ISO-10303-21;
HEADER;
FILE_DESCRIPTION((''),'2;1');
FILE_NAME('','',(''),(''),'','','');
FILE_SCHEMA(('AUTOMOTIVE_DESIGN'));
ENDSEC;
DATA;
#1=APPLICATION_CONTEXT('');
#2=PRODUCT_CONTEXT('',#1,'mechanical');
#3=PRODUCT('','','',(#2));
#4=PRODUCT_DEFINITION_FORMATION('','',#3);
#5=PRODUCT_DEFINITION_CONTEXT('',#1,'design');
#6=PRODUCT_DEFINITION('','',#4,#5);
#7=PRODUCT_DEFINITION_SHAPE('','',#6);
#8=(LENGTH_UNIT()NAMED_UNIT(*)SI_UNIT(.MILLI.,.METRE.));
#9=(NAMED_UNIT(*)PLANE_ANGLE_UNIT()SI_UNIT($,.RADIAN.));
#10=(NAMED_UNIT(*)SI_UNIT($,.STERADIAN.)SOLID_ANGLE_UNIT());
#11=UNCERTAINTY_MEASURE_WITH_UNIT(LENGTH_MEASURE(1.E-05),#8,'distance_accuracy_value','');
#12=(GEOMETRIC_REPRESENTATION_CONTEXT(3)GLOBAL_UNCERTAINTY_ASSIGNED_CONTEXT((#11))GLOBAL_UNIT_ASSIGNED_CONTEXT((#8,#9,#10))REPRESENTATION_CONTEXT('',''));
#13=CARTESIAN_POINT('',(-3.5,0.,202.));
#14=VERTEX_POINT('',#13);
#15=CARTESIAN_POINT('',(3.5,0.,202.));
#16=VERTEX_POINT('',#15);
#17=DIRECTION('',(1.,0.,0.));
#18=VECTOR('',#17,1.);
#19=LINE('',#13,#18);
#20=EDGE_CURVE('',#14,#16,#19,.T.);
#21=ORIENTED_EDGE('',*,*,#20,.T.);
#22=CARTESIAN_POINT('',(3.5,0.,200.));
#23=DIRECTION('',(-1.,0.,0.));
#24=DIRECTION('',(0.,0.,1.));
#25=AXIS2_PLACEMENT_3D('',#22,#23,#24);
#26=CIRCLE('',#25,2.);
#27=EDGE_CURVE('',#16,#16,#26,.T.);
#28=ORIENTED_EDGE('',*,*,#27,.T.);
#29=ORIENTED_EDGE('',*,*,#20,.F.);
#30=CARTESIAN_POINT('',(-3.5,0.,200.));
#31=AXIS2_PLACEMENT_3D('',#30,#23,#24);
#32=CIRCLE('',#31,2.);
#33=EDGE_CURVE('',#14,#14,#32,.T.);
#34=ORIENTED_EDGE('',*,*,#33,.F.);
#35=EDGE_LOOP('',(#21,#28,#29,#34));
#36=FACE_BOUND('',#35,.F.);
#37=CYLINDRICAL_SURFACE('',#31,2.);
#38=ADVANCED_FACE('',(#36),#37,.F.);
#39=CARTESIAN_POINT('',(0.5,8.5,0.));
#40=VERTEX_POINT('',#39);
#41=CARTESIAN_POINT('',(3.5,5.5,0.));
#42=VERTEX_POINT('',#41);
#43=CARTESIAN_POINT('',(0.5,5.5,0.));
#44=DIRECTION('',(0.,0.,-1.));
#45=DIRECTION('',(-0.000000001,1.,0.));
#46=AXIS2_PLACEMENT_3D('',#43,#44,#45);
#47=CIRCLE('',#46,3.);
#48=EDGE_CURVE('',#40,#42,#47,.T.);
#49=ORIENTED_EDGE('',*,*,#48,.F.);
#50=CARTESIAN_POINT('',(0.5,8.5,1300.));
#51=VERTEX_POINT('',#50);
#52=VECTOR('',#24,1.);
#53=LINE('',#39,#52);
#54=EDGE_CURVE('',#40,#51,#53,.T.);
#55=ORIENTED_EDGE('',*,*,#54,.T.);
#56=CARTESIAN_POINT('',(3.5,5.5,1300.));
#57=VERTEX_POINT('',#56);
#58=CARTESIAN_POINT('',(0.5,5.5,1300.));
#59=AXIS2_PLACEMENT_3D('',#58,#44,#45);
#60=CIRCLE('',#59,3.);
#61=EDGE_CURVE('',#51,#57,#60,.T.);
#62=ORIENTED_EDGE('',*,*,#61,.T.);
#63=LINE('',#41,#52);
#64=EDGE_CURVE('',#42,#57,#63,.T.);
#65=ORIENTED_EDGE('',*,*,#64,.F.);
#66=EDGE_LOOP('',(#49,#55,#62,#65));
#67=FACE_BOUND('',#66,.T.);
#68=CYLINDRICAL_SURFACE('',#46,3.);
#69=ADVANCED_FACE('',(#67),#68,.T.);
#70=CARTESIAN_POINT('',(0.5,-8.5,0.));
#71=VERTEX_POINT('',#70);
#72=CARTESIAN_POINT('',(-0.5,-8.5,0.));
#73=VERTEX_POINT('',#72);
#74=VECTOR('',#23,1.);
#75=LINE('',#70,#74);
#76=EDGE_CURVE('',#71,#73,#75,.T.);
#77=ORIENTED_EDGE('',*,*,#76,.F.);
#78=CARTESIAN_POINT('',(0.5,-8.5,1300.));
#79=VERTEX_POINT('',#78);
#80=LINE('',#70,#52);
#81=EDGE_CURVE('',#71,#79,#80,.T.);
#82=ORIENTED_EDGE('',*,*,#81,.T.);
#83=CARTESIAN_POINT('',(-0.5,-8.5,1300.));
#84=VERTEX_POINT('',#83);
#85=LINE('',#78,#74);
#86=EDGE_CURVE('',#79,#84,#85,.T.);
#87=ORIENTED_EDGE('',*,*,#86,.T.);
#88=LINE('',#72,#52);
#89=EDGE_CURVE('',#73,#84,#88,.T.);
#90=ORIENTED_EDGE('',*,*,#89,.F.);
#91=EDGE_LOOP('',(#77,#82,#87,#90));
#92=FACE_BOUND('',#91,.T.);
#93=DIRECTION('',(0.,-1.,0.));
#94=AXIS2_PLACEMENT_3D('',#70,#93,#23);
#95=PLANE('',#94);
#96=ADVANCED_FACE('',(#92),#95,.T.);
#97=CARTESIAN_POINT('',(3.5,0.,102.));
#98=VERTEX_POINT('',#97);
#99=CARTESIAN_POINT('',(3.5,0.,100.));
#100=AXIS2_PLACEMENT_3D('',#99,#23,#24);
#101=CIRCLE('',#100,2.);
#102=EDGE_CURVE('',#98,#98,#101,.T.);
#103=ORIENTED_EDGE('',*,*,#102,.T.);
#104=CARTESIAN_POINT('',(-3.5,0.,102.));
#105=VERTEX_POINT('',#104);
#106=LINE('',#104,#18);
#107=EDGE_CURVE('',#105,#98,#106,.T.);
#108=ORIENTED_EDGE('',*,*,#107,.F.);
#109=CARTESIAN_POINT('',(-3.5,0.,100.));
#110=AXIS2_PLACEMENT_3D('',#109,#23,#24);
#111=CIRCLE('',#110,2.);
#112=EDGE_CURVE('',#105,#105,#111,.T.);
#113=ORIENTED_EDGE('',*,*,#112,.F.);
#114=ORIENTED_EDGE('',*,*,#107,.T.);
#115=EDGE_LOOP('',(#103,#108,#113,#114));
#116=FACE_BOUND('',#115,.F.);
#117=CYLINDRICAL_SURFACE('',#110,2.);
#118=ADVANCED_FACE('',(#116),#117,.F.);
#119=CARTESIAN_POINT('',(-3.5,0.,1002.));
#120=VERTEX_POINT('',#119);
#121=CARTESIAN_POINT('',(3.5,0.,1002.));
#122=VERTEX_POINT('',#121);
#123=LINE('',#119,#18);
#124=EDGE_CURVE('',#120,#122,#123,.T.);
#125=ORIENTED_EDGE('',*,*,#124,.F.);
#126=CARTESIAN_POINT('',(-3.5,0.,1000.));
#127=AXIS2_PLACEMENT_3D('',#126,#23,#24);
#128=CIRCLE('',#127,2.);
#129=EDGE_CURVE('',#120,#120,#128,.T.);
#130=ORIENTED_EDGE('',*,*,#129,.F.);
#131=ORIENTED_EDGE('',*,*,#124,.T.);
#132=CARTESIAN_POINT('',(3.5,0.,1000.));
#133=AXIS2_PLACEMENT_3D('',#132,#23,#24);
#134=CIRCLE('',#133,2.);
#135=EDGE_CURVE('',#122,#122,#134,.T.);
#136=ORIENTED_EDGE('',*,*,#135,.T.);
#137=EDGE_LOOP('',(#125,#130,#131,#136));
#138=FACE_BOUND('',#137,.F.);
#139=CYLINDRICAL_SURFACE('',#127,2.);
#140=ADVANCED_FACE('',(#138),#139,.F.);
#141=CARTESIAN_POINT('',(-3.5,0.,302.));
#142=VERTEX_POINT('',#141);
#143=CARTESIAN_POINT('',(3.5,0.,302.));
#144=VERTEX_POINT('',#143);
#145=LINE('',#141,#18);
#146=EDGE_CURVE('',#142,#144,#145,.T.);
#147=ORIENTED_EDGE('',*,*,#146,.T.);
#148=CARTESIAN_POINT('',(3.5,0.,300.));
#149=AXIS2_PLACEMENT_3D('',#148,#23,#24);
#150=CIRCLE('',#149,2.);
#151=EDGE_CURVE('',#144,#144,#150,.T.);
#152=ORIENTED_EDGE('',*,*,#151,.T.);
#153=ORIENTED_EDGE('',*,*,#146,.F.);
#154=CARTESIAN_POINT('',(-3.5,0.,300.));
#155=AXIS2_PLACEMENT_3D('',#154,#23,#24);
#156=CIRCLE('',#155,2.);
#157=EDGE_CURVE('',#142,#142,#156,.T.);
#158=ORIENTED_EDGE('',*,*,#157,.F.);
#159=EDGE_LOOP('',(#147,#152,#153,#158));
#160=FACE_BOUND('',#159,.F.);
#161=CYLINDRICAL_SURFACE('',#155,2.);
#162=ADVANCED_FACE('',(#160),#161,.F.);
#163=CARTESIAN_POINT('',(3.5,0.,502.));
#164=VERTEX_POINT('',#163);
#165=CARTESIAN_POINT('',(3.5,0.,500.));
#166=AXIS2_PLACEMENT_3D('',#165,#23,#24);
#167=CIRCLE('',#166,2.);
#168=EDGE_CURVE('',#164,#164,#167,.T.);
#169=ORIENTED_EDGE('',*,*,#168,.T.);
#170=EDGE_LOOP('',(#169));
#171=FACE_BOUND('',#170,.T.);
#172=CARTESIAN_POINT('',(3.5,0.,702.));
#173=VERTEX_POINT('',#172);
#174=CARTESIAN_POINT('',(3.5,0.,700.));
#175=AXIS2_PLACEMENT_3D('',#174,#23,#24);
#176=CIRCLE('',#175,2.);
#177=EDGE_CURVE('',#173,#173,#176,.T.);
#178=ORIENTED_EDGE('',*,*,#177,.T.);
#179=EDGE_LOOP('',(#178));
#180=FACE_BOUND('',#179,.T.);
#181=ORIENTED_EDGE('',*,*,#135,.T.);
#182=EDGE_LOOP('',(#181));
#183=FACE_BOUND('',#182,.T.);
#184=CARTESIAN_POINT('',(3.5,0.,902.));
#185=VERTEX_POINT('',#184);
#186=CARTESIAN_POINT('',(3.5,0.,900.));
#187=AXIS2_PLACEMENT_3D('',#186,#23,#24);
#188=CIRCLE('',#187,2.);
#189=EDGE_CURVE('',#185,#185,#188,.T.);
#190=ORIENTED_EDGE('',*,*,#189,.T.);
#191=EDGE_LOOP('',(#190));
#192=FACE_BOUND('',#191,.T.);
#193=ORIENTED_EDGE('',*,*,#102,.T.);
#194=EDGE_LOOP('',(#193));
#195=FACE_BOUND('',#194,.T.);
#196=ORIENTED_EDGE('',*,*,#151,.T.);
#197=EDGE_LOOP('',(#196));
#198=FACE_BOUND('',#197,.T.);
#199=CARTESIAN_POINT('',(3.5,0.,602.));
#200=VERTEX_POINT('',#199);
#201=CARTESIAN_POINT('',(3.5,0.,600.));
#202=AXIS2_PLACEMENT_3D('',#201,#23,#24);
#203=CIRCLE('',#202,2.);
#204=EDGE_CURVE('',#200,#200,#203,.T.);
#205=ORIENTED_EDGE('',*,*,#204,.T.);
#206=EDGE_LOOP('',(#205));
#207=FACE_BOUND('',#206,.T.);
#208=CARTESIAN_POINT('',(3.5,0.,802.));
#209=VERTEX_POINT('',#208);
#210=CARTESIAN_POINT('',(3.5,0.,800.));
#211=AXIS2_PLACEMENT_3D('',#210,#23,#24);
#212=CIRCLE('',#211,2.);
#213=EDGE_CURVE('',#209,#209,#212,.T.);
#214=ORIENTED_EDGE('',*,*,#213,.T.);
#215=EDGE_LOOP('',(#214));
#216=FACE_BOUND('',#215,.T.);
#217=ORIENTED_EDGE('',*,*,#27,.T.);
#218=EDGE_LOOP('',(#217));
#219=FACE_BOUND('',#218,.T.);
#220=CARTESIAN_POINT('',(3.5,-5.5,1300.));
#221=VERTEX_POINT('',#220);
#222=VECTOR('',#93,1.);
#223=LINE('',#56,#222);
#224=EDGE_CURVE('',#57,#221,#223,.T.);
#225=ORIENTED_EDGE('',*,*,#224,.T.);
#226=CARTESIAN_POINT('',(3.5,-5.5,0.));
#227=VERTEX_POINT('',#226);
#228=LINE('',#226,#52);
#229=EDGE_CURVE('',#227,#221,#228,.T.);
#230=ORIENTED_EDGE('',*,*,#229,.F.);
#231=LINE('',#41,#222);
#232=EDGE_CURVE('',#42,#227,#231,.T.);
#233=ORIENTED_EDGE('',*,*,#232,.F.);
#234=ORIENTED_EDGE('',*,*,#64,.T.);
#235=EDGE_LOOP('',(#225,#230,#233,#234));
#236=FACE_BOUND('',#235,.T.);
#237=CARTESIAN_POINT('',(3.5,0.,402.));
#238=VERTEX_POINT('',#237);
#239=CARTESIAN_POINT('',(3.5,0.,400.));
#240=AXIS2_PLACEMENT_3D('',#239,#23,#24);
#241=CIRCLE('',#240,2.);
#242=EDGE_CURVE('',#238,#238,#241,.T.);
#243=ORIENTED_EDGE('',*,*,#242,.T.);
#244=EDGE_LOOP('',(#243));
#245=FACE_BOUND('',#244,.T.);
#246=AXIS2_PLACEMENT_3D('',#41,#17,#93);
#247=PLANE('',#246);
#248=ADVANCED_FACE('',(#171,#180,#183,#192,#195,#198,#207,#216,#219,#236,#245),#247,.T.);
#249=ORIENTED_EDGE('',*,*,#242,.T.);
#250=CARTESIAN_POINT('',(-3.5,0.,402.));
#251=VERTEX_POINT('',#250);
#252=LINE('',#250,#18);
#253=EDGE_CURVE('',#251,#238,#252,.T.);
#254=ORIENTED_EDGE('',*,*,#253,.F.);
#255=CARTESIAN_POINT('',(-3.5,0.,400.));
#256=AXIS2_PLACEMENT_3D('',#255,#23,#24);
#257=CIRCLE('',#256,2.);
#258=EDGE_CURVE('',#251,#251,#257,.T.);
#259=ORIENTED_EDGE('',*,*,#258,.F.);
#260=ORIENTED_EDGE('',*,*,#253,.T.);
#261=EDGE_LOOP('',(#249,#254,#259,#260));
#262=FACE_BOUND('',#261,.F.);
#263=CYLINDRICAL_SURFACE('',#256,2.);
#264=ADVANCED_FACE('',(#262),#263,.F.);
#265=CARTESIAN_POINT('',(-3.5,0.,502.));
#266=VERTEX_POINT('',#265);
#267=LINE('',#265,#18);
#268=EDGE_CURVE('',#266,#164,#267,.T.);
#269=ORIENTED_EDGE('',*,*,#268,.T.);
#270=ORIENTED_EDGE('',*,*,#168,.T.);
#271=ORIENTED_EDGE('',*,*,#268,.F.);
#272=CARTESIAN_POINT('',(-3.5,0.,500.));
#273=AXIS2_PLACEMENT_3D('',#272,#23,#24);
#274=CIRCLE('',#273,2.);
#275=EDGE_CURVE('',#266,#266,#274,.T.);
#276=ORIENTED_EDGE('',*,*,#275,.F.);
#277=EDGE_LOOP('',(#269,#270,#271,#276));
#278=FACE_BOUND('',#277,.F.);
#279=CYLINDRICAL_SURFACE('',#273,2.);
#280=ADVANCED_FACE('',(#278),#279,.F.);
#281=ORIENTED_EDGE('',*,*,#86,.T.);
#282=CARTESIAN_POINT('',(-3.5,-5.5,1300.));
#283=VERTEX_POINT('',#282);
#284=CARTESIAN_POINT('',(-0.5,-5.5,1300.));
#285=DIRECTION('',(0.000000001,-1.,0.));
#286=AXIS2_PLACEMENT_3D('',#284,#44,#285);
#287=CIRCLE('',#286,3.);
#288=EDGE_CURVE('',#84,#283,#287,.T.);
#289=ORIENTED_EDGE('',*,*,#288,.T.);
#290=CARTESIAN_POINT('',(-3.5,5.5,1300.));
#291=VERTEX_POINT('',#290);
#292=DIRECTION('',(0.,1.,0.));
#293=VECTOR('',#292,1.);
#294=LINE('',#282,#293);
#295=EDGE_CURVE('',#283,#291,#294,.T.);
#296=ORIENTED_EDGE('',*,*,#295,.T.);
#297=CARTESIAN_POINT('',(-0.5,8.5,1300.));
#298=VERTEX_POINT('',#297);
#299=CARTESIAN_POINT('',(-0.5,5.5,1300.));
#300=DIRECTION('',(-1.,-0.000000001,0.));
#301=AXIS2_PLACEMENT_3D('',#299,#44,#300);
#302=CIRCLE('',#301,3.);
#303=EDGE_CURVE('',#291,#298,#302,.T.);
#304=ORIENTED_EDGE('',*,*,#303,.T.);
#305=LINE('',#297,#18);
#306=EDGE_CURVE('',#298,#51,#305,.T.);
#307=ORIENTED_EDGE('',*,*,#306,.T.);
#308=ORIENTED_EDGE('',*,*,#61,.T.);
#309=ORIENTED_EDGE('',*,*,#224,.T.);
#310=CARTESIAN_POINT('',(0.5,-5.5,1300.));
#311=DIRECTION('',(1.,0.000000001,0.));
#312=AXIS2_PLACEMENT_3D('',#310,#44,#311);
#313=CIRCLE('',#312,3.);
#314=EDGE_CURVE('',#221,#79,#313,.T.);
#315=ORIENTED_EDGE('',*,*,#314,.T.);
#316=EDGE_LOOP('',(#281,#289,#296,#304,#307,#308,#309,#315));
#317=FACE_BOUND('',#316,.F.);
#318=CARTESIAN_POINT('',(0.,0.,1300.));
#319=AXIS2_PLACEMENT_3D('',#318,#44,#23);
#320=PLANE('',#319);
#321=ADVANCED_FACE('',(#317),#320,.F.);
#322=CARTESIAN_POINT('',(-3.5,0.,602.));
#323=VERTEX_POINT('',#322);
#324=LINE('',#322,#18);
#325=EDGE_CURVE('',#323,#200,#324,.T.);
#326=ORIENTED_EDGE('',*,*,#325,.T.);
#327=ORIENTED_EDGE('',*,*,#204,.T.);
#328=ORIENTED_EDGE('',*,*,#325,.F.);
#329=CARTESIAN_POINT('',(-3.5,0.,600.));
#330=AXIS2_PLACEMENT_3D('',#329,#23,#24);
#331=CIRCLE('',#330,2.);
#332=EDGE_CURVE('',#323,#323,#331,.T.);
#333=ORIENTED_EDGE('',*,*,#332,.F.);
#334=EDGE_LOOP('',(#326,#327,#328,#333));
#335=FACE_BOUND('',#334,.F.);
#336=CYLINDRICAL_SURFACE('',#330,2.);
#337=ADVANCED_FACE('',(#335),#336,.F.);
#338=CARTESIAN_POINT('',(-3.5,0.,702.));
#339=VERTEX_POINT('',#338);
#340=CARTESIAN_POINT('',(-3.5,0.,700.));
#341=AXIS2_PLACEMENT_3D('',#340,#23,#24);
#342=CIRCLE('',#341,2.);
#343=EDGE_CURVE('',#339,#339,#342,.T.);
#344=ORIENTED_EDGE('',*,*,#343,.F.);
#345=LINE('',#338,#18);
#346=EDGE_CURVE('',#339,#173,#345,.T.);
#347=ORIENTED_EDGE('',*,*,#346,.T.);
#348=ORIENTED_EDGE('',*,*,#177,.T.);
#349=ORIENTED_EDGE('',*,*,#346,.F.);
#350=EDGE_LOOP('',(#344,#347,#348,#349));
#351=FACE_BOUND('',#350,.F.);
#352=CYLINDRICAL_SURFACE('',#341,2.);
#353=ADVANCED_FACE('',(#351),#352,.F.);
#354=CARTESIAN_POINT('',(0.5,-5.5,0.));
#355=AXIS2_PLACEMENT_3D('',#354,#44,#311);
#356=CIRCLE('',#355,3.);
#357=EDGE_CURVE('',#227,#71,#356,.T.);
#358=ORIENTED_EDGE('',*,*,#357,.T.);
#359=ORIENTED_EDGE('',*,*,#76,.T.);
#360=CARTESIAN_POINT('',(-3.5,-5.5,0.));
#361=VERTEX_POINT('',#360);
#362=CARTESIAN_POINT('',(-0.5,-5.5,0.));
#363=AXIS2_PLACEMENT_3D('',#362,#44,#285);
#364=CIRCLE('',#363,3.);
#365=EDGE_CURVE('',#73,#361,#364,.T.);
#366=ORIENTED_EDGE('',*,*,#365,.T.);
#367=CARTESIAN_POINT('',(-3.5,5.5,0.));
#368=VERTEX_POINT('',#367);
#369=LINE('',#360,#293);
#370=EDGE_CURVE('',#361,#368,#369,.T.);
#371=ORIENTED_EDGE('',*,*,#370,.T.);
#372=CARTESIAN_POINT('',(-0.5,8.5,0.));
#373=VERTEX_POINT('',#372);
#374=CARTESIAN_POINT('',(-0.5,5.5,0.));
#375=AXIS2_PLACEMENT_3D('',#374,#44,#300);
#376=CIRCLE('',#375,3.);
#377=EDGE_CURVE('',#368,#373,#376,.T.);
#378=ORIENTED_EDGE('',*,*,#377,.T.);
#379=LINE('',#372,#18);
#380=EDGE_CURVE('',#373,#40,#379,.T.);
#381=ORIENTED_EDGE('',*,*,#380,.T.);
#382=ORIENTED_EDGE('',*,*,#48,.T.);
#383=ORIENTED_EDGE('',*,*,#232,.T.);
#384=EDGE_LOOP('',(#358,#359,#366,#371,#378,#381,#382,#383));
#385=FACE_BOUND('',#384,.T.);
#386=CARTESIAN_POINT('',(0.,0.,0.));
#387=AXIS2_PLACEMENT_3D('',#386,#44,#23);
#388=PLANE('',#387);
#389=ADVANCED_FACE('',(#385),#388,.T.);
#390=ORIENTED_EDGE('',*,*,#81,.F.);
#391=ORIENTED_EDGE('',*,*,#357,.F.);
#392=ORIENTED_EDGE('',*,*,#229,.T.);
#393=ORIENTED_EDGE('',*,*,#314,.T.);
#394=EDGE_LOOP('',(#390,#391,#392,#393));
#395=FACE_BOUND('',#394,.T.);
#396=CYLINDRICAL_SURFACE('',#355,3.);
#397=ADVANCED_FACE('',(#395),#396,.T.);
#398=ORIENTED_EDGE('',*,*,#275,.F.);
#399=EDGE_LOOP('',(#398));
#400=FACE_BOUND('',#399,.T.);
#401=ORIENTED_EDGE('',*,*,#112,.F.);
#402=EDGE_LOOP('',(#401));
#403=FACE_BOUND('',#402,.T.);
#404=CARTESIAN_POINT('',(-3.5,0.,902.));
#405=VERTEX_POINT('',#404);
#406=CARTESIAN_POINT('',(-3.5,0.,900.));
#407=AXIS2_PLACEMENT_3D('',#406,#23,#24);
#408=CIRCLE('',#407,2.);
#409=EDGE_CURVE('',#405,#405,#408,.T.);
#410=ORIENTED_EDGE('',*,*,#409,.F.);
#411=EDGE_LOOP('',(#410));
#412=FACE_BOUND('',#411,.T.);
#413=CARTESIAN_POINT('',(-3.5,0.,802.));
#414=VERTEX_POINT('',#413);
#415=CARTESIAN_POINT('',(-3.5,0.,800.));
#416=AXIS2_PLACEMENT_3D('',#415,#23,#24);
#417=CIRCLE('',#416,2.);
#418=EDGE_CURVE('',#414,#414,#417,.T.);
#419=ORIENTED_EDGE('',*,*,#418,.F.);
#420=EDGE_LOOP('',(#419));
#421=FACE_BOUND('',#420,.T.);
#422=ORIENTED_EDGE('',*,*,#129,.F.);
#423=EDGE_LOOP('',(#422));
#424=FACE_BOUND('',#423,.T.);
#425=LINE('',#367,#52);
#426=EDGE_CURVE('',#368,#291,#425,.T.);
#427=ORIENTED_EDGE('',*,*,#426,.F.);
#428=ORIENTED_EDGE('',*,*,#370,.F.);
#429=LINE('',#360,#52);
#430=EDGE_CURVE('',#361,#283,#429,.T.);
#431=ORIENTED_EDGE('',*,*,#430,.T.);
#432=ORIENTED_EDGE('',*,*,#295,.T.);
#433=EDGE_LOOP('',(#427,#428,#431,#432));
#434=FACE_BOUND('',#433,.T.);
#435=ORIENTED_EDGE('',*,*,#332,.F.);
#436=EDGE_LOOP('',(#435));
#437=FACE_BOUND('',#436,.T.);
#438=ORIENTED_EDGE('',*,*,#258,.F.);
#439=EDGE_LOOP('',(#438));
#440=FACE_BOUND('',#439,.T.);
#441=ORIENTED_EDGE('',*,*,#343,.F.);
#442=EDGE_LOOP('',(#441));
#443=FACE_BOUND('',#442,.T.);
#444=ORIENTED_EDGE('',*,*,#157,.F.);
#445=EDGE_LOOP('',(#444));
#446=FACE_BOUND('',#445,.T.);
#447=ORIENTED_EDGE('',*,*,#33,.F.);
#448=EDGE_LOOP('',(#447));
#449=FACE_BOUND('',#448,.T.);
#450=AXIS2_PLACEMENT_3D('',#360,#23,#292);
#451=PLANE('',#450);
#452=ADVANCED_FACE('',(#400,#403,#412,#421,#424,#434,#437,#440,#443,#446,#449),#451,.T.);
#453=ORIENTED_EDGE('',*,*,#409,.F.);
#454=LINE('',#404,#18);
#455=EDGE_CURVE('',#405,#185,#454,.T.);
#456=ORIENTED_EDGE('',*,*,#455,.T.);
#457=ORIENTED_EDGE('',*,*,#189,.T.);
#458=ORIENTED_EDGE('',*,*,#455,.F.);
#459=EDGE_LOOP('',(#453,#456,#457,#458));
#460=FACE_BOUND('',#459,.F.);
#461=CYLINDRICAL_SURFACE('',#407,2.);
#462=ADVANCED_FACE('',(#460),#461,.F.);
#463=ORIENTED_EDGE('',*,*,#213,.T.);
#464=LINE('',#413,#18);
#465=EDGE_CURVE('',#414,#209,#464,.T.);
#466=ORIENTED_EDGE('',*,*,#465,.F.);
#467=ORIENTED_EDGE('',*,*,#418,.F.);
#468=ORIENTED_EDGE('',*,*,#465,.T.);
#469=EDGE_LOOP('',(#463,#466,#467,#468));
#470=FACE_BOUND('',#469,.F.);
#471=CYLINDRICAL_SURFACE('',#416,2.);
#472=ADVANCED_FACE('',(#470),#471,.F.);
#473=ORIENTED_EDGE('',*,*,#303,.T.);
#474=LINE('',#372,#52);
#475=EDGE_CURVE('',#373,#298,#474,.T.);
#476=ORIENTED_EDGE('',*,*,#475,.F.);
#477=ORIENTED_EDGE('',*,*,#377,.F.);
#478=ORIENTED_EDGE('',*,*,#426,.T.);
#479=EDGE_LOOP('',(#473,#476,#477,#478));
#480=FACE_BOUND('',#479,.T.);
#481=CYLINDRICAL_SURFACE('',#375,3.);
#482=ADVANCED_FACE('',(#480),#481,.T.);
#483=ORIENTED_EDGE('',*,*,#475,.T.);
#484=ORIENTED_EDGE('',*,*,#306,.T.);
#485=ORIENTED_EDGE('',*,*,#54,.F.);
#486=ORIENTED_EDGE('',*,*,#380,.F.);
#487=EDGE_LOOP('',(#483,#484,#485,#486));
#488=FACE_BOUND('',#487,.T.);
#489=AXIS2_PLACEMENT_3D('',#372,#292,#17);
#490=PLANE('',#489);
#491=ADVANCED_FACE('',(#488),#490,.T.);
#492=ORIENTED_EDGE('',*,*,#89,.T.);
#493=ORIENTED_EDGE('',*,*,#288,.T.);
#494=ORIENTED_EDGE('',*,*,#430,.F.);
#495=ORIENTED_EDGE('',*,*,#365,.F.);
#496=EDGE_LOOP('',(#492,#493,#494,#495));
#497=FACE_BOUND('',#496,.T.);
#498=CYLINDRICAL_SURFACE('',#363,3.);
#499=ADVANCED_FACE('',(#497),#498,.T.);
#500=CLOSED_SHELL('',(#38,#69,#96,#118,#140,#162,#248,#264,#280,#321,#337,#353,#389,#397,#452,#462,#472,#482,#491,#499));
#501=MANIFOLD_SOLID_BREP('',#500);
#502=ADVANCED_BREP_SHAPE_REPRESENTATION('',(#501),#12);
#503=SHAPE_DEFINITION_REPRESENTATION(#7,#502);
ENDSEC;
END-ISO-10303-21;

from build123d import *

# Parameters (mm, degrees)
EXTRUDE_1_DEPTH     = 1300
SKETCH_3_R          = 2
CUT_EXTRUDE_1_DEPTH = 1301.046633779


with BuildPart() as part:
    # 草图2 → 凸台-拉伸1 (new body)
    with BuildSketch(Plane.XY):
        with BuildLine():
            Line((-0.5, 8.5), (0.5, 8.5))
            ThreePointArc((0.5, 8.5), (2.621320344, 7.621320344), (3.5, 5.5))
            Line((3.5, 5.5), (3.5, -5.5))
            ThreePointArc((3.5, -5.5), (2.621320344, -7.621320344), (0.5, -8.5))
            Line((0.5, -8.5), (-0.5, -8.5))
            ThreePointArc((-0.5, -8.5), (-2.621320344, -7.621320344), (-3.5, -5.5))
            Line((-3.5, -5.5), (-3.5, 5.5))
            ThreePointArc((-3.5, 5.5), (-2.621320344, 7.621320344), (-0.5, 8.5))
        make_face()
    extrude(amount=EXTRUDE_1_DEPTH)

    # 草图3 → 切除-拉伸1 (cut, through all)
    with BuildSketch(Plane.ZY.offset(3.5)):
        with Locations((100, 0)):
            Circle(SKETCH_3_R)
        with Locations((200, 0)):
            Circle(SKETCH_3_R)
        with Locations((300, 0)):
            Circle(SKETCH_3_R)
        with Locations((400, 0)):
            Circle(SKETCH_3_R)
        with Locations((500, 0)):
            Circle(SKETCH_3_R)
        with Locations((600, 0)):
            Circle(SKETCH_3_R)
        with Locations((700, 0)):
            Circle(SKETCH_3_R)
        with Locations((800, 0)):
            Circle(SKETCH_3_R)
        with Locations((900, 0)):
            Circle(SKETCH_3_R)
        with Locations((1000, 0)):
            Circle(SKETCH_3_R)
    extrude(amount=-CUT_EXTRUDE_1_DEPTH, mode=Mode.SUBTRACT)


solid = part.part
